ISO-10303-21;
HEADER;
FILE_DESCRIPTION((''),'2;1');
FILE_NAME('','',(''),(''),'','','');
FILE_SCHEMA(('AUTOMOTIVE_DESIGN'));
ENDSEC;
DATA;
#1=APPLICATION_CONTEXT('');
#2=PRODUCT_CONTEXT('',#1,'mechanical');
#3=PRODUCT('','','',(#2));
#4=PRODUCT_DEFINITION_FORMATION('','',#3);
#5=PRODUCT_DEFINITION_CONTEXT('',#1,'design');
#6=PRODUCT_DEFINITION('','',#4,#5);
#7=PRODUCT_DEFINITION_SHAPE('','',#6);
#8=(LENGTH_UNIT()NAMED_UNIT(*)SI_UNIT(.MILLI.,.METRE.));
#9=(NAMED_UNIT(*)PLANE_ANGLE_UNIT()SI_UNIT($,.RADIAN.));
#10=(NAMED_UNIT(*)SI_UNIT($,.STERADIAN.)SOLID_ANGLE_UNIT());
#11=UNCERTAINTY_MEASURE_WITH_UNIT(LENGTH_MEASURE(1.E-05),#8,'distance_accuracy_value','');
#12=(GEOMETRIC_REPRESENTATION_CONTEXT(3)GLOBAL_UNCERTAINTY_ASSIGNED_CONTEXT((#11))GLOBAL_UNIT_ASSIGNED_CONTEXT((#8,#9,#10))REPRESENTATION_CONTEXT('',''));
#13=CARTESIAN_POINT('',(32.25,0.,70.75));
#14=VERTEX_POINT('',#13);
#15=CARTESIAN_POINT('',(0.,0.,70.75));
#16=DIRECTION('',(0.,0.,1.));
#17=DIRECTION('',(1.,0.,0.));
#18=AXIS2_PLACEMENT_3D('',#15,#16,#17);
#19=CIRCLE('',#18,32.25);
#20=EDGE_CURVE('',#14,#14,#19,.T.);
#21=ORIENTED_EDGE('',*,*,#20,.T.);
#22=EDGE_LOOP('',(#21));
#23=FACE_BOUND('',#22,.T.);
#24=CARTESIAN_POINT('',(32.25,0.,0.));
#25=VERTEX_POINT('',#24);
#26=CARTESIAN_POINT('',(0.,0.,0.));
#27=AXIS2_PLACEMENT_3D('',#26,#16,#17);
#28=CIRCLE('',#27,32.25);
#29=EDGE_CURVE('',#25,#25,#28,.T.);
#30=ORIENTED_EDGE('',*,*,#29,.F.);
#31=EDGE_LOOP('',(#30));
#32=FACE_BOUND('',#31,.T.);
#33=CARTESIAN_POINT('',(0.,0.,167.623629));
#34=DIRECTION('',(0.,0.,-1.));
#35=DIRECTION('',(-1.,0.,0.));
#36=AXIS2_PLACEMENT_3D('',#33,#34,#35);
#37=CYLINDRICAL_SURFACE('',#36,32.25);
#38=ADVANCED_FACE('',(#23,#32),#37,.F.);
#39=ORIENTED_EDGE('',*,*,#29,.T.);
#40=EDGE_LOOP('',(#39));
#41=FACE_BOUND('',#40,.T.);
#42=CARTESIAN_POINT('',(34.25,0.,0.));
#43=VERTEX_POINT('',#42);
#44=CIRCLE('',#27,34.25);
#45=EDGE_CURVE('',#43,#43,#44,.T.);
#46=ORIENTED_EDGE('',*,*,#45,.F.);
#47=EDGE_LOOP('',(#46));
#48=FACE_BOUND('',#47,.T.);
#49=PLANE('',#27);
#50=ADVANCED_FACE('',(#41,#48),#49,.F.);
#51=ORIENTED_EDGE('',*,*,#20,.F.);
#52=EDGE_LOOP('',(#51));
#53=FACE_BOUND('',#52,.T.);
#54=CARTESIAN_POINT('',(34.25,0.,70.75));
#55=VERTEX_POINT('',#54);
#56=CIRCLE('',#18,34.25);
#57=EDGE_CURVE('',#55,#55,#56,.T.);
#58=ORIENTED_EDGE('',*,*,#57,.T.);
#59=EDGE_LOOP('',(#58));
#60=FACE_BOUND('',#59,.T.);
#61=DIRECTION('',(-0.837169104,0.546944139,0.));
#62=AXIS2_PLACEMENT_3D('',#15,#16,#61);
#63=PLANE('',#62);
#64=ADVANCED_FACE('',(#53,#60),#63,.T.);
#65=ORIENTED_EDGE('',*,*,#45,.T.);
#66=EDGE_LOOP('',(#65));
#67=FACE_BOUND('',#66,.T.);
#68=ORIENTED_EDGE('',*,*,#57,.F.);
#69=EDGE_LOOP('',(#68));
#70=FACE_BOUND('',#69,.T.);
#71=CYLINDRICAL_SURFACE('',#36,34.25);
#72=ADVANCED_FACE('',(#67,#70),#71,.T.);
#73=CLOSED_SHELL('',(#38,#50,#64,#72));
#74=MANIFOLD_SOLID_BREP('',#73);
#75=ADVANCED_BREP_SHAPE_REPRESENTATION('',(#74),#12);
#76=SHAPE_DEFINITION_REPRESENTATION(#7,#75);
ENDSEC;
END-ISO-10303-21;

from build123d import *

# Parameters (mm, degrees)
SKETCH1_R           = 34.25
SKETCH1_R_2         = 32.25
BOSS_EXTRUDE1_DEPTH = 70.75


with BuildPart() as part:
    # Sketch1 → Boss-Extrude1 (new body)
    with BuildSketch(Plane.XY):
        Circle(SKETCH1_R)
        Circle(SKETCH1_R_2, mode=Mode.SUBTRACT)
    extrude(amount=BOSS_EXTRUDE1_DEPTH)


solid = part.part
